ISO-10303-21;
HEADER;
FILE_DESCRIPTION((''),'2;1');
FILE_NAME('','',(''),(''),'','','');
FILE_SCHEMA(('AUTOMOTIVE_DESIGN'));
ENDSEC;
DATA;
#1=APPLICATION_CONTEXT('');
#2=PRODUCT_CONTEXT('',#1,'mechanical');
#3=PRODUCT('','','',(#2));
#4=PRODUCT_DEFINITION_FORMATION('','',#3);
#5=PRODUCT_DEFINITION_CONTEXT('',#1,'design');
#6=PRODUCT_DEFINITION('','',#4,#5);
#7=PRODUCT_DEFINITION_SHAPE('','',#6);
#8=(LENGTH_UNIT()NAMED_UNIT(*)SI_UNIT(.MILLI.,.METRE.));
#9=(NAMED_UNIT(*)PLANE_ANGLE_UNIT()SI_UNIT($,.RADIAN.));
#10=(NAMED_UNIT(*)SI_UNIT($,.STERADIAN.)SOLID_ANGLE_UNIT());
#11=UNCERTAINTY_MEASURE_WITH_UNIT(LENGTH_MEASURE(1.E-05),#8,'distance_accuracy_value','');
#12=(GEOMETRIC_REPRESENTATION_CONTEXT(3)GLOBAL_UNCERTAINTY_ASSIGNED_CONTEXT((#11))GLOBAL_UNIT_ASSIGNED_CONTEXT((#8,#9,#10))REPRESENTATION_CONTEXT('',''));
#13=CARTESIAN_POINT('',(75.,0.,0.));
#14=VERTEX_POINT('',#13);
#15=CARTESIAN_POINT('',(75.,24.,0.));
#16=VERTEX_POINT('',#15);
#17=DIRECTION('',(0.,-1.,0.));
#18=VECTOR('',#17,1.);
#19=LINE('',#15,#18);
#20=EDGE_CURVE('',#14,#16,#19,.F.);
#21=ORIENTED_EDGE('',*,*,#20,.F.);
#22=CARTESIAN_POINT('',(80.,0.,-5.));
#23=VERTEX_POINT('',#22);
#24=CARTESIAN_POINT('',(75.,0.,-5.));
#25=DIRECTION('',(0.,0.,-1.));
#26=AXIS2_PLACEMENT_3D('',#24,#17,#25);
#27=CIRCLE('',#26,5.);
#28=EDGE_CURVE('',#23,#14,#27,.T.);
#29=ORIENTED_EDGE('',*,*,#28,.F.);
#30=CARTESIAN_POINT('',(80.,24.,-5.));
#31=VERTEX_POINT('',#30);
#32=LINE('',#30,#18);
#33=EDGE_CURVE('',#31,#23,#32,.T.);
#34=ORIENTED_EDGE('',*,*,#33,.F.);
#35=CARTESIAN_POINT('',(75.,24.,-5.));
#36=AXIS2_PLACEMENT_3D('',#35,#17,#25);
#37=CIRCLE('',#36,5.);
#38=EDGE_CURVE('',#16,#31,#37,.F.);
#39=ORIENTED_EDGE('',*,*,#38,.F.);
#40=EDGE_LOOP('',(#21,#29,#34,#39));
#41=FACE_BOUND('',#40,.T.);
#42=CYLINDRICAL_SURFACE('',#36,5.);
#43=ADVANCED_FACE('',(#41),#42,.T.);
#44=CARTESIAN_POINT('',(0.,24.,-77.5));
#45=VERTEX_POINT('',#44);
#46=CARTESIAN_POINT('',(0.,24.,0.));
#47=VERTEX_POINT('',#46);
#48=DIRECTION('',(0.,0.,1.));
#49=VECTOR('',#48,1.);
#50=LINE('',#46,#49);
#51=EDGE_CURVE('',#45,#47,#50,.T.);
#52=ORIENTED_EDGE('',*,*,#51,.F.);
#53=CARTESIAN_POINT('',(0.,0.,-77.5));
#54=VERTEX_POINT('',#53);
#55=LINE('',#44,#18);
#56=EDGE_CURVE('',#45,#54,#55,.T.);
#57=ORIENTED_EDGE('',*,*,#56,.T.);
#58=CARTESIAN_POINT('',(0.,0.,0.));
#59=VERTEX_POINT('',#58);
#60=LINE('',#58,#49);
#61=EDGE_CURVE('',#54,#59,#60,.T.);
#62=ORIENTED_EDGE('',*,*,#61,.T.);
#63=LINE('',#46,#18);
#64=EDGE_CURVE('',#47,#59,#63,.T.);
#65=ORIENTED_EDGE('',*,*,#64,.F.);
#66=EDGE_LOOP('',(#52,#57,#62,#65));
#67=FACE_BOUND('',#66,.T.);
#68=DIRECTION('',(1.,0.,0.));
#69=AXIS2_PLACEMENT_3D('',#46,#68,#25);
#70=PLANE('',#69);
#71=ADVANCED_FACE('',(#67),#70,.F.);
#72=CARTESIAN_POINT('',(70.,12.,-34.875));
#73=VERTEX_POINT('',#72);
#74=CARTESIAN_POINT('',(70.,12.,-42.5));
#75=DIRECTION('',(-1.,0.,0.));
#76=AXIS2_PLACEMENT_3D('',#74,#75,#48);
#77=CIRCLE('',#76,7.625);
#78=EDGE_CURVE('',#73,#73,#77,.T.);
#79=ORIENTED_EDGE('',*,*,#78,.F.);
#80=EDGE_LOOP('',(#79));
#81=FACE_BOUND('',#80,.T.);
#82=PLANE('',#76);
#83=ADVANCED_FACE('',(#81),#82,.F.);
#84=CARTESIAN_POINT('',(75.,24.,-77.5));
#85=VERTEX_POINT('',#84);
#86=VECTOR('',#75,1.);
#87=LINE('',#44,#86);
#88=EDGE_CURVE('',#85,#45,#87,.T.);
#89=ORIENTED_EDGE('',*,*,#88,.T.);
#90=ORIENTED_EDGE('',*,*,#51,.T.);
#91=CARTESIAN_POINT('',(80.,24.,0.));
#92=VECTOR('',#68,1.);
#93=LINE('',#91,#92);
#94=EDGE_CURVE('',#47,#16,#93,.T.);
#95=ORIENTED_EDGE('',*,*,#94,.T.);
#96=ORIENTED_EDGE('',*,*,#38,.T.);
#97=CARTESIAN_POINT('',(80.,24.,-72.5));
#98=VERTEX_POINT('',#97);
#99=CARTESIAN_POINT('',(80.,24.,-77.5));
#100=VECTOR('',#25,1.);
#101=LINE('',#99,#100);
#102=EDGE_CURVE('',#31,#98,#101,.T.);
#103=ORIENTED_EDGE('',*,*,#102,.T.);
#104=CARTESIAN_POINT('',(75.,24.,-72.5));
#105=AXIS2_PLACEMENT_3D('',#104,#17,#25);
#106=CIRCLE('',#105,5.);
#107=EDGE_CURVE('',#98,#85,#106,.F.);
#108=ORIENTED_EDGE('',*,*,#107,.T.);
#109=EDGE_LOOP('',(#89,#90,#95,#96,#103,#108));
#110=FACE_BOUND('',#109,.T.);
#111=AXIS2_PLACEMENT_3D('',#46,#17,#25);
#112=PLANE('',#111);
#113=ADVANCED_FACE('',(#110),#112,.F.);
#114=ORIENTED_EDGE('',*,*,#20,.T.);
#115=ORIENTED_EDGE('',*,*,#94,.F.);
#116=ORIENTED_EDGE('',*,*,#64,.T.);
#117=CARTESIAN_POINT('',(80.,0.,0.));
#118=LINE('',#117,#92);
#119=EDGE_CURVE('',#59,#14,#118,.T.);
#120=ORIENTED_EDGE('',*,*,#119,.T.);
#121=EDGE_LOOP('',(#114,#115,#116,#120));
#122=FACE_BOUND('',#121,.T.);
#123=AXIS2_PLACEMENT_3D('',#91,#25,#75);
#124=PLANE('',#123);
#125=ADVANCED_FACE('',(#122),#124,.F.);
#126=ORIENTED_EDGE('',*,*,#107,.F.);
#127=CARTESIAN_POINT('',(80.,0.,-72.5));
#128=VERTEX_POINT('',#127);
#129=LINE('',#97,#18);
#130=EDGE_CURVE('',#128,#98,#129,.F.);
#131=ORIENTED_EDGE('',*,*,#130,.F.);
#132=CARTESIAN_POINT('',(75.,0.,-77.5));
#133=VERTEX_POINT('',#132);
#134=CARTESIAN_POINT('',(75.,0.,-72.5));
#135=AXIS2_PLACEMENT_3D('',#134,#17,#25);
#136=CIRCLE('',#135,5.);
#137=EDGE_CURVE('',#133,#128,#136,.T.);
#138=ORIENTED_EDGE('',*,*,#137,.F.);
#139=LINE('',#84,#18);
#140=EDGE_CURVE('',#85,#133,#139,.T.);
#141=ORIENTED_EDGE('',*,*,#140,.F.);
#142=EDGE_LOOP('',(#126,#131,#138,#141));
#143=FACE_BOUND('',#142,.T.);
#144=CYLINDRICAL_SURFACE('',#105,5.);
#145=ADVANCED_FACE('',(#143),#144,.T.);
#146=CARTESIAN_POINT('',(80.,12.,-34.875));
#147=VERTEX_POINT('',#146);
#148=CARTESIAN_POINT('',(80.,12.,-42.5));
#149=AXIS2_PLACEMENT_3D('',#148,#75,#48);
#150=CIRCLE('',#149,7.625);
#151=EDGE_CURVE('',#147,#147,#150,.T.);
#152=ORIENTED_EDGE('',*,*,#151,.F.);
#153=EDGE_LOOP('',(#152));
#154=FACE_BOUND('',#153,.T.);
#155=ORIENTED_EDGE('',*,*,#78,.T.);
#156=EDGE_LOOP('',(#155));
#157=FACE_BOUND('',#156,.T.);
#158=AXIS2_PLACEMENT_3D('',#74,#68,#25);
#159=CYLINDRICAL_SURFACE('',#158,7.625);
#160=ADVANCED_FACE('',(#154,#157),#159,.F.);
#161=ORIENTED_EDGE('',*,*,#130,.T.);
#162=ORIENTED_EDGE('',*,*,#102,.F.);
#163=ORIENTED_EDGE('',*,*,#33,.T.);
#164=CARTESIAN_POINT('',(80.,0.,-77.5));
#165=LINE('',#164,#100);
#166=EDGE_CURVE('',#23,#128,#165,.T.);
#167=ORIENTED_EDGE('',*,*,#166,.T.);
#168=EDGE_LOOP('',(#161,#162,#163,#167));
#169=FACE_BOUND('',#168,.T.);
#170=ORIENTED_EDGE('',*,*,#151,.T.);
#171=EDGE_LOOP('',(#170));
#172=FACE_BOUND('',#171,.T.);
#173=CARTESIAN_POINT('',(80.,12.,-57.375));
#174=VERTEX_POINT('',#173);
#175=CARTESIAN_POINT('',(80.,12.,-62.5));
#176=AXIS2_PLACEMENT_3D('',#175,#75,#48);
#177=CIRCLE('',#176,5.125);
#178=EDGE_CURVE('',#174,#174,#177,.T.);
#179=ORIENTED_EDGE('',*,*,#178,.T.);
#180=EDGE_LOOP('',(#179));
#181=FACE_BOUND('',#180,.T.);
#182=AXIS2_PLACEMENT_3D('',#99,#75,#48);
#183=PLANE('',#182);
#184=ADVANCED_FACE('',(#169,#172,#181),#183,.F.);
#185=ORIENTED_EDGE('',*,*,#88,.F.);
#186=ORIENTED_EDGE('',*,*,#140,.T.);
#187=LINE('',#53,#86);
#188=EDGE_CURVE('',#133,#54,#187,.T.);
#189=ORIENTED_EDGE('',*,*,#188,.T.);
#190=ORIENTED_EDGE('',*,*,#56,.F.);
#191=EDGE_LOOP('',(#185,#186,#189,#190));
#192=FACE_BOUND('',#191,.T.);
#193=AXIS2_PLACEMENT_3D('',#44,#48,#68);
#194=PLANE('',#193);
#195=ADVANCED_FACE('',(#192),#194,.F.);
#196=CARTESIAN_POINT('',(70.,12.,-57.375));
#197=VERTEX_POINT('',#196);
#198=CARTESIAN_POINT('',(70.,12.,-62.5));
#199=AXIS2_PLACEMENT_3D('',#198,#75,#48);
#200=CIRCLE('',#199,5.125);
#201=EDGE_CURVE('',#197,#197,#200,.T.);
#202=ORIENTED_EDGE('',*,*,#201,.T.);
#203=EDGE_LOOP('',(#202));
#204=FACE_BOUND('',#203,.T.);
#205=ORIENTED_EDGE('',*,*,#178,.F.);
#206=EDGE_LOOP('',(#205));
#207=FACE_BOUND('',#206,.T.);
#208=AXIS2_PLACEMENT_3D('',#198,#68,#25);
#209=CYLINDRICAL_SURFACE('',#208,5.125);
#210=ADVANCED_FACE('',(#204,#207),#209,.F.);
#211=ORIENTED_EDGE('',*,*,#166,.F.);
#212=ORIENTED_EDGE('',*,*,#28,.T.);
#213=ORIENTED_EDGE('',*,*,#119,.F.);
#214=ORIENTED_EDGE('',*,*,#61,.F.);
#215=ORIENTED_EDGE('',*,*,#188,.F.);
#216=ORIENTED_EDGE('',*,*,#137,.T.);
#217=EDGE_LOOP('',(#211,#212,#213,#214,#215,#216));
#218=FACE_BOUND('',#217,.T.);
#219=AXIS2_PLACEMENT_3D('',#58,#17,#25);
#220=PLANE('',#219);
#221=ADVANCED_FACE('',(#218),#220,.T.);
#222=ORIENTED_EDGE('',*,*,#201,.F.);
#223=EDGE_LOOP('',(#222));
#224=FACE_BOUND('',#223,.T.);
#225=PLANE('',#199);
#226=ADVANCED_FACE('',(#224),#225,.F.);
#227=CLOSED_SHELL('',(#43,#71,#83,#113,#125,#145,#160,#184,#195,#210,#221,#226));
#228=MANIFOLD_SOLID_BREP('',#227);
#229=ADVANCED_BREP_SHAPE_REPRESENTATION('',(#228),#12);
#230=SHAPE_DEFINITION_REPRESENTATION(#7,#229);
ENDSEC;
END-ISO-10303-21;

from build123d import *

# Parameters (mm, degrees)
SKETCH1_W           = 80
SKETCH1_H           = 77.5
BOSS_EXTRUDE1_DEPTH = 24
SKETCH2_R           = 5.125
SKETCH2_R_2         = 7.625
CUT_EXTRUDE1_DEPTH  = 10
FILLET1_R           = 5


with BuildPart() as part:
    # Sketch1 → Boss-Extrude1 (new body)
    with BuildSketch(Plane(origin=(0, 0, 0), x_dir=(1, 0, 0), z_dir=(0, 1, 0))):
        with Locations((40, 38.75)):
            Rectangle(SKETCH1_W, SKETCH1_H)
    extrude(amount=BOSS_EXTRUDE1_DEPTH)

    # Sketch2 → Cut-Extrude1 (cut)
    with BuildSketch(Plane(origin=(80, 0, 0), x_dir=(0, 0, -1), z_dir=(1, 0, 0))):
        with Locations((62.5, 12)):
            Circle(SKETCH2_R)
        with Locations((42.5, 12)):
            Circle(SKETCH2_R_2)
    extrude(amount=-CUT_EXTRUDE1_DEPTH, mode=Mode.SUBTRACT)

    # Fillet1
    fillet1_edges = [part.edges().sort_by_distance(p)[0] for p in [
        (80, 12, -77.5),
        (80, 12, 0),
    ]]
    fillet(fillet1_edges, radius=FILLET1_R)


solid = part.part
